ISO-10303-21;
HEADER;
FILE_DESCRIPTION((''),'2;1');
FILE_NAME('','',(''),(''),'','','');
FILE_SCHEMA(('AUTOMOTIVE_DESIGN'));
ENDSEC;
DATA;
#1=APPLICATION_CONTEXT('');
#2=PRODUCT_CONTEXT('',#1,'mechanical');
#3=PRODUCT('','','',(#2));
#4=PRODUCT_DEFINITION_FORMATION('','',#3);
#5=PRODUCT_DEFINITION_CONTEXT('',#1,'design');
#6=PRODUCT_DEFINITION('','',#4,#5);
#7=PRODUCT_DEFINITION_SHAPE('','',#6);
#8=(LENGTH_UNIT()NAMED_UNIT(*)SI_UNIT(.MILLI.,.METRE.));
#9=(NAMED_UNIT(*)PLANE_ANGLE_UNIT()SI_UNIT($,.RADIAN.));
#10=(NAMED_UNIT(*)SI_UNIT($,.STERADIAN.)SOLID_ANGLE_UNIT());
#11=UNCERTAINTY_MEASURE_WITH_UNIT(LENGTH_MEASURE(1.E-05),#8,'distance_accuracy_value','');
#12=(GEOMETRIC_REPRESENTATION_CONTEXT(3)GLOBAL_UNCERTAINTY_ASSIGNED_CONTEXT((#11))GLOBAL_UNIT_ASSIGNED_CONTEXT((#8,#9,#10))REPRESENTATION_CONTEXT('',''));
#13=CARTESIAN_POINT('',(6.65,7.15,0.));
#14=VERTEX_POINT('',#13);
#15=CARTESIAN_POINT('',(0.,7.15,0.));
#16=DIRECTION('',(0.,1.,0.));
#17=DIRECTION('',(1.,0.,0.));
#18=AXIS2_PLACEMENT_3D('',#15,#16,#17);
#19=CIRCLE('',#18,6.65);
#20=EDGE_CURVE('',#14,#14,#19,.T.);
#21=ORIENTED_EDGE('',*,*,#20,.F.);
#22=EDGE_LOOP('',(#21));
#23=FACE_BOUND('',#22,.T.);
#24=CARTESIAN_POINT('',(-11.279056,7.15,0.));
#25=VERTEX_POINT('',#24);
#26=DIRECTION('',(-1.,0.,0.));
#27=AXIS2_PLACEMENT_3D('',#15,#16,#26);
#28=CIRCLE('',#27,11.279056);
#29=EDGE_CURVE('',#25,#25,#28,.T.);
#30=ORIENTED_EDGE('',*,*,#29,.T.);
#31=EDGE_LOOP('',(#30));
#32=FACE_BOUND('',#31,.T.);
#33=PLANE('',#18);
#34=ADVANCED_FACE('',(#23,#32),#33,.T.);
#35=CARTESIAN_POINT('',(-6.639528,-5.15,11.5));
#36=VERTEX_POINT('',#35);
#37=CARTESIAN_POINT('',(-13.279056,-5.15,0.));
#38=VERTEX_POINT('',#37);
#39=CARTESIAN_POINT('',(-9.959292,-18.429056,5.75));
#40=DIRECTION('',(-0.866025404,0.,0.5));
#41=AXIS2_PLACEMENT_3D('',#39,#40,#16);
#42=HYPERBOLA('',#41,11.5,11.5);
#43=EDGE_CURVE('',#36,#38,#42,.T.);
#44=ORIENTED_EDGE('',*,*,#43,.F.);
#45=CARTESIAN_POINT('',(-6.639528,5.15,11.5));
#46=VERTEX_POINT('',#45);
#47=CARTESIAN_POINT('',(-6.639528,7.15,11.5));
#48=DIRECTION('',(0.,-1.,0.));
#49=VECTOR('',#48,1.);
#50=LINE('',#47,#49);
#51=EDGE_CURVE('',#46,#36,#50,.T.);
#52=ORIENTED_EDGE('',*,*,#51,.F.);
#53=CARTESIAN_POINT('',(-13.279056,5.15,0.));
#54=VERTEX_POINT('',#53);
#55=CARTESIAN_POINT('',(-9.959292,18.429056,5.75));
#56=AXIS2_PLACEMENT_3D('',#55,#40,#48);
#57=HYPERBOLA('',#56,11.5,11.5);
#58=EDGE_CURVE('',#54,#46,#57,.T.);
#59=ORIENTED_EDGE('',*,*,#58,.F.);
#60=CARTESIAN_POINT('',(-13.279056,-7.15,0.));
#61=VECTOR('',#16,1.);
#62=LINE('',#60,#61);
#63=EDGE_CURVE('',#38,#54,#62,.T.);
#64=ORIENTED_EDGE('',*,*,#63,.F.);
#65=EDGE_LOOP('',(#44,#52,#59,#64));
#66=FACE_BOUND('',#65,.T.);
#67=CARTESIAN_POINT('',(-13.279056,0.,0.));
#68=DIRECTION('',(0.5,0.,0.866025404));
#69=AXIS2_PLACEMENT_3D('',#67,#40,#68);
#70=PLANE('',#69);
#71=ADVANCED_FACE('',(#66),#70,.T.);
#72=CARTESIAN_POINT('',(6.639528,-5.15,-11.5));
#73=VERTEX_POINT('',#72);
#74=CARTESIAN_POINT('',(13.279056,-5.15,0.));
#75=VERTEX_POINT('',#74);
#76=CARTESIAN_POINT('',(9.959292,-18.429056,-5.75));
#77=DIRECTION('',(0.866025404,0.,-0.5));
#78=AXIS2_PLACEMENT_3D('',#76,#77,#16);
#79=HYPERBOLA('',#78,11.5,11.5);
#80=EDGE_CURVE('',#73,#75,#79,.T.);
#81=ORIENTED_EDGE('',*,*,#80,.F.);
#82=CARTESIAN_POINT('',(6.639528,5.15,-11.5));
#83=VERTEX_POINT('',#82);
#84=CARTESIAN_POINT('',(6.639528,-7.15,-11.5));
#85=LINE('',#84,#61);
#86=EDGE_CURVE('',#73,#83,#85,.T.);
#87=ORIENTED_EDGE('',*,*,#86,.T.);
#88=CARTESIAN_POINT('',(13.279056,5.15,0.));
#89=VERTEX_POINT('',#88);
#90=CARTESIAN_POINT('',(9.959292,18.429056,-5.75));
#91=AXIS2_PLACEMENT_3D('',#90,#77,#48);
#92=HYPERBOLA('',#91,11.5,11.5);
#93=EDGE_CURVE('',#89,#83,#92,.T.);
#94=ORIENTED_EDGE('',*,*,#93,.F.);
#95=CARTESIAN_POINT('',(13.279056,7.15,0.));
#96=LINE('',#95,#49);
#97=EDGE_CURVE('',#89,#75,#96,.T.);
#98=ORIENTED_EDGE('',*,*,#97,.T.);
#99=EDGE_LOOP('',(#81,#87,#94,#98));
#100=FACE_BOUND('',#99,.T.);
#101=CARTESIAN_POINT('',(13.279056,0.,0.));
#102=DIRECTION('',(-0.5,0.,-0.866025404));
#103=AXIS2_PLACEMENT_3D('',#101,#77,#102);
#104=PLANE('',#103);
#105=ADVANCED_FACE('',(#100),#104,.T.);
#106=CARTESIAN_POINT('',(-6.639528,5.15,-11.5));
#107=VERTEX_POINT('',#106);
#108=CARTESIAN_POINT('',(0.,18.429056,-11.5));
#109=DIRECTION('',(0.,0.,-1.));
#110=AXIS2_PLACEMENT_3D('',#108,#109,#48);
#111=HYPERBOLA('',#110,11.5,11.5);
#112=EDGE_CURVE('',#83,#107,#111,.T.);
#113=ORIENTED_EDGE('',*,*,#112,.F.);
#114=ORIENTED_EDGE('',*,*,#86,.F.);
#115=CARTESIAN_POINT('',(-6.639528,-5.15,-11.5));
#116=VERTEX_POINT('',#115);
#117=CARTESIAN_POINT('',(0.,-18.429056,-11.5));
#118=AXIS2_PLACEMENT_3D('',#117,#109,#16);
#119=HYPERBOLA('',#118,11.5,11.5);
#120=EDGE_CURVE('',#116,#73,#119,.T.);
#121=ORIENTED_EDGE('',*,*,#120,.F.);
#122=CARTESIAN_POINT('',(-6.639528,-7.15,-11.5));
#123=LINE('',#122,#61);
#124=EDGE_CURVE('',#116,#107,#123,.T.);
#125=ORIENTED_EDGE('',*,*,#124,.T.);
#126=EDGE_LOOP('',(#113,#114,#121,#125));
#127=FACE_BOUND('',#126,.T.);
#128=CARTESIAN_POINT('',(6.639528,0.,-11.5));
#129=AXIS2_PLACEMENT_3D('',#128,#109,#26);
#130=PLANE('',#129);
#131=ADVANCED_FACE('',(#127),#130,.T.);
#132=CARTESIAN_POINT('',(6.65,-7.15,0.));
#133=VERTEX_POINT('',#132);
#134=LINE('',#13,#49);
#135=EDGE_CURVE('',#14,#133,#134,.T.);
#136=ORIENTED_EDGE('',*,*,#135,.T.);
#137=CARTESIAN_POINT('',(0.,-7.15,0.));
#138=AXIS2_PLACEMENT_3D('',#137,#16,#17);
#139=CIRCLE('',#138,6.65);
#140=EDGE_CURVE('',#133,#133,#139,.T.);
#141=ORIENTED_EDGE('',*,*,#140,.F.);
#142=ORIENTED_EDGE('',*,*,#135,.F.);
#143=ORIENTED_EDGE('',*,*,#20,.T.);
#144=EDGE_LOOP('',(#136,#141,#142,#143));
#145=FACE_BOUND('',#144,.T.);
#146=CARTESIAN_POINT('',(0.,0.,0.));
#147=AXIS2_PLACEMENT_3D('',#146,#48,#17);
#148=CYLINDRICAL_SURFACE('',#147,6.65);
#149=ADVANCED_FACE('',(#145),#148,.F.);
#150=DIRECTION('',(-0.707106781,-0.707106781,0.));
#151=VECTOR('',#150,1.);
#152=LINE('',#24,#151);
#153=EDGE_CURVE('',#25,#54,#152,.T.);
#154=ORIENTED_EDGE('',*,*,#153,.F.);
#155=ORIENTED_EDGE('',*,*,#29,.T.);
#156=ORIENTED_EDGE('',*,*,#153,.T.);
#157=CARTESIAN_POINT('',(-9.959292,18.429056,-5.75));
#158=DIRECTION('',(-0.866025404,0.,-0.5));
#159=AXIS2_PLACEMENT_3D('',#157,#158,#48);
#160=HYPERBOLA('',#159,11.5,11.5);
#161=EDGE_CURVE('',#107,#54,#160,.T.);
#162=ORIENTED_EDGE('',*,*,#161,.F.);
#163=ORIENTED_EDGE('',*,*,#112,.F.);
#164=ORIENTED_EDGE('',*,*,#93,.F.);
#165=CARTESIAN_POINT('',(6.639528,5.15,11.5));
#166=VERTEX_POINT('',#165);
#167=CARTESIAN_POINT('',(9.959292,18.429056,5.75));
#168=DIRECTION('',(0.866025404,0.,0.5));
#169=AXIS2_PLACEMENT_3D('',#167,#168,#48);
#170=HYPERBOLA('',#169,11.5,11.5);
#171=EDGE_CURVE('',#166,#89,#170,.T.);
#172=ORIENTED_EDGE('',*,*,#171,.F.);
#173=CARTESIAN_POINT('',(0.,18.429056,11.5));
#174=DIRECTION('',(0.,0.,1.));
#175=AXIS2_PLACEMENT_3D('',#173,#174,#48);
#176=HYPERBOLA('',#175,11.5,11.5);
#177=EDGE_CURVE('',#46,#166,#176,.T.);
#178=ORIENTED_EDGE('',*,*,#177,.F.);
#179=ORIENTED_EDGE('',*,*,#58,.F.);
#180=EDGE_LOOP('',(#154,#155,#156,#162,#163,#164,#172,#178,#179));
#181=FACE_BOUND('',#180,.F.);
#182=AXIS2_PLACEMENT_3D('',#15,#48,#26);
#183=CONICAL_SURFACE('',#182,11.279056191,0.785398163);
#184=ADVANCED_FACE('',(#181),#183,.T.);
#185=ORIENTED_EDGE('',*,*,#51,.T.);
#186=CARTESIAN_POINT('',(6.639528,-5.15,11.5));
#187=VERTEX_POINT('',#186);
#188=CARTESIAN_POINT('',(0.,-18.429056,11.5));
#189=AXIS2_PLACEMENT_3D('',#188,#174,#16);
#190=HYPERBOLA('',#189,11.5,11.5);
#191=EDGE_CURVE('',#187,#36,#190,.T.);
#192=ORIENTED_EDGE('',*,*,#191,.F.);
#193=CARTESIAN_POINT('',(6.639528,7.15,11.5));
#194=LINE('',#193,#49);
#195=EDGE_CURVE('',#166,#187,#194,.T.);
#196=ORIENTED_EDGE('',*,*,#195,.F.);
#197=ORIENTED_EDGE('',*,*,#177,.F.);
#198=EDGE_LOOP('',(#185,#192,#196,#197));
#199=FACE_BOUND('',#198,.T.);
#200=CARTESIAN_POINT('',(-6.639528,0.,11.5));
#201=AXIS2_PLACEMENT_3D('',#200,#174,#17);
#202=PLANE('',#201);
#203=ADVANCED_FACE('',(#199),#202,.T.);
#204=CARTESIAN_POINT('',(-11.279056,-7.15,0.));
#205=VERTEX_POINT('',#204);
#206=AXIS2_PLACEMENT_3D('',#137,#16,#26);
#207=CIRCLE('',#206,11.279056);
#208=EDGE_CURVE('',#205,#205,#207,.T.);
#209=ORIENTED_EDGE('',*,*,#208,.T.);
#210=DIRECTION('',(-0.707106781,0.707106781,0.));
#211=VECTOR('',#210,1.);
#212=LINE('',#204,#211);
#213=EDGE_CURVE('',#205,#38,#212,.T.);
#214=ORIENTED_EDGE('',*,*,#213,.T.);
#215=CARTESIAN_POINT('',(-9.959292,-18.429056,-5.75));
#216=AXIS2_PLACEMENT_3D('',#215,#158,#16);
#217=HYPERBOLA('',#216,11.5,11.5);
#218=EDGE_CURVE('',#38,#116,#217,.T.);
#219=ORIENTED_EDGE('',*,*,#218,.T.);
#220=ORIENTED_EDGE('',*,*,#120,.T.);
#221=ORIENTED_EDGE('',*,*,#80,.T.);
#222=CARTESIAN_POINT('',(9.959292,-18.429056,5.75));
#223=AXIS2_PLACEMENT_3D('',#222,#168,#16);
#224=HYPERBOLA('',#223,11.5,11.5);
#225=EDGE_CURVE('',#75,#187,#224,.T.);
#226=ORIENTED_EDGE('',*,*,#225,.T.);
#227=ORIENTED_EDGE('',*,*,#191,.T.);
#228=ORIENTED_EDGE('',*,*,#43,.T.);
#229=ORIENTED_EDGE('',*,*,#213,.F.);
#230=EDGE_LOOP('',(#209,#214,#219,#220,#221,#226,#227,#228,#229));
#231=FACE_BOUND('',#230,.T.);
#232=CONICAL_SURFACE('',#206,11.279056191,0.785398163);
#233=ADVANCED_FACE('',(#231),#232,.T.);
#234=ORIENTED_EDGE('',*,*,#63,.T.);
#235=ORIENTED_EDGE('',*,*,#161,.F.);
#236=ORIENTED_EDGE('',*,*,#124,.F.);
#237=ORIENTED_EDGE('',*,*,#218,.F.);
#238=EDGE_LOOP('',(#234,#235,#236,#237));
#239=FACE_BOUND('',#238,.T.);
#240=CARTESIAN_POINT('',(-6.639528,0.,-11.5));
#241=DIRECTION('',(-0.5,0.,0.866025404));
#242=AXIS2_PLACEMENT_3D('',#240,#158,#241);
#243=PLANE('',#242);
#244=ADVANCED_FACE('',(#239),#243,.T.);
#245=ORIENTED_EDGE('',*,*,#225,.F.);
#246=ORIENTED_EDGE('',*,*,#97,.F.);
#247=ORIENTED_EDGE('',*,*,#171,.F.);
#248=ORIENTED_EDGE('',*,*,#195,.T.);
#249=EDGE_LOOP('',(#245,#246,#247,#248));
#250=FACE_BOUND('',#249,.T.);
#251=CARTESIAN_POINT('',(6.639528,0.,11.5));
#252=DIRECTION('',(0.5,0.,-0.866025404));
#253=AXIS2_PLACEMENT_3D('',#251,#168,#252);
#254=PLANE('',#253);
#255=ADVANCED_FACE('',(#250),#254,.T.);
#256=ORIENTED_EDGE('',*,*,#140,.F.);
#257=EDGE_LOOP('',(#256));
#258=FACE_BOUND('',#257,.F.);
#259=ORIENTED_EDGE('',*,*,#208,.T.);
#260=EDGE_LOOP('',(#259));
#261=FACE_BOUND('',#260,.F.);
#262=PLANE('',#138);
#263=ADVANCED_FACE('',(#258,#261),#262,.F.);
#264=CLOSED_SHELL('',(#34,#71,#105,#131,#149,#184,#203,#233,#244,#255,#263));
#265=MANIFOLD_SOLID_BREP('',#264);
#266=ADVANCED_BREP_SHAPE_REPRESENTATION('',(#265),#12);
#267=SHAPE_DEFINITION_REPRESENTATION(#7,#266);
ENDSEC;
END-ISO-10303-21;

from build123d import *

# Parameters (mm, degrees)
CROQUIS1_R              = 6.65
SALIENTE_EXTRUIR1_DEPTH = 7.15


with BuildPart() as part:
    # Croquis1 → Saliente-Extruir1 (new body, symmetric)
    with BuildSketch(Plane(origin=(0, 0, 0), x_dir=(1, 0, 0), z_dir=(0, 1, 0))):
        Polygon((13.279056191, 0), (6.639528096, 11.5), (-6.639528096, 11.5), (-13.279056191, 0), (-6.639528096, -11.5), (6.639528096, -11.5), align=None)
        Circle(CROQUIS1_R, mode=Mode.SUBTRACT)
    extrude(amount=SALIENTE_EXTRUIR1_DEPTH, both=True)

    # Croquis2 → Cortar-Revolución1 (revolve, cut)
    with BuildSketch(Plane.XY):
        Polygon((-11.279056191, 7.15), (-13.279056191, 5.15), (-13.279056191, 7.15), align=None)
    cortar_revoluci_n1 = revolve(axis=Axis((0, 7.15, 0), (0, 1, 0)), mode=Mode.SUBTRACT)

    # Simetría1: Cortar-Revolución1 across plane
    add(cortar_revoluci_n1.mirror(Plane.ZX), mode=Mode.SUBTRACT)


solid = part.part
